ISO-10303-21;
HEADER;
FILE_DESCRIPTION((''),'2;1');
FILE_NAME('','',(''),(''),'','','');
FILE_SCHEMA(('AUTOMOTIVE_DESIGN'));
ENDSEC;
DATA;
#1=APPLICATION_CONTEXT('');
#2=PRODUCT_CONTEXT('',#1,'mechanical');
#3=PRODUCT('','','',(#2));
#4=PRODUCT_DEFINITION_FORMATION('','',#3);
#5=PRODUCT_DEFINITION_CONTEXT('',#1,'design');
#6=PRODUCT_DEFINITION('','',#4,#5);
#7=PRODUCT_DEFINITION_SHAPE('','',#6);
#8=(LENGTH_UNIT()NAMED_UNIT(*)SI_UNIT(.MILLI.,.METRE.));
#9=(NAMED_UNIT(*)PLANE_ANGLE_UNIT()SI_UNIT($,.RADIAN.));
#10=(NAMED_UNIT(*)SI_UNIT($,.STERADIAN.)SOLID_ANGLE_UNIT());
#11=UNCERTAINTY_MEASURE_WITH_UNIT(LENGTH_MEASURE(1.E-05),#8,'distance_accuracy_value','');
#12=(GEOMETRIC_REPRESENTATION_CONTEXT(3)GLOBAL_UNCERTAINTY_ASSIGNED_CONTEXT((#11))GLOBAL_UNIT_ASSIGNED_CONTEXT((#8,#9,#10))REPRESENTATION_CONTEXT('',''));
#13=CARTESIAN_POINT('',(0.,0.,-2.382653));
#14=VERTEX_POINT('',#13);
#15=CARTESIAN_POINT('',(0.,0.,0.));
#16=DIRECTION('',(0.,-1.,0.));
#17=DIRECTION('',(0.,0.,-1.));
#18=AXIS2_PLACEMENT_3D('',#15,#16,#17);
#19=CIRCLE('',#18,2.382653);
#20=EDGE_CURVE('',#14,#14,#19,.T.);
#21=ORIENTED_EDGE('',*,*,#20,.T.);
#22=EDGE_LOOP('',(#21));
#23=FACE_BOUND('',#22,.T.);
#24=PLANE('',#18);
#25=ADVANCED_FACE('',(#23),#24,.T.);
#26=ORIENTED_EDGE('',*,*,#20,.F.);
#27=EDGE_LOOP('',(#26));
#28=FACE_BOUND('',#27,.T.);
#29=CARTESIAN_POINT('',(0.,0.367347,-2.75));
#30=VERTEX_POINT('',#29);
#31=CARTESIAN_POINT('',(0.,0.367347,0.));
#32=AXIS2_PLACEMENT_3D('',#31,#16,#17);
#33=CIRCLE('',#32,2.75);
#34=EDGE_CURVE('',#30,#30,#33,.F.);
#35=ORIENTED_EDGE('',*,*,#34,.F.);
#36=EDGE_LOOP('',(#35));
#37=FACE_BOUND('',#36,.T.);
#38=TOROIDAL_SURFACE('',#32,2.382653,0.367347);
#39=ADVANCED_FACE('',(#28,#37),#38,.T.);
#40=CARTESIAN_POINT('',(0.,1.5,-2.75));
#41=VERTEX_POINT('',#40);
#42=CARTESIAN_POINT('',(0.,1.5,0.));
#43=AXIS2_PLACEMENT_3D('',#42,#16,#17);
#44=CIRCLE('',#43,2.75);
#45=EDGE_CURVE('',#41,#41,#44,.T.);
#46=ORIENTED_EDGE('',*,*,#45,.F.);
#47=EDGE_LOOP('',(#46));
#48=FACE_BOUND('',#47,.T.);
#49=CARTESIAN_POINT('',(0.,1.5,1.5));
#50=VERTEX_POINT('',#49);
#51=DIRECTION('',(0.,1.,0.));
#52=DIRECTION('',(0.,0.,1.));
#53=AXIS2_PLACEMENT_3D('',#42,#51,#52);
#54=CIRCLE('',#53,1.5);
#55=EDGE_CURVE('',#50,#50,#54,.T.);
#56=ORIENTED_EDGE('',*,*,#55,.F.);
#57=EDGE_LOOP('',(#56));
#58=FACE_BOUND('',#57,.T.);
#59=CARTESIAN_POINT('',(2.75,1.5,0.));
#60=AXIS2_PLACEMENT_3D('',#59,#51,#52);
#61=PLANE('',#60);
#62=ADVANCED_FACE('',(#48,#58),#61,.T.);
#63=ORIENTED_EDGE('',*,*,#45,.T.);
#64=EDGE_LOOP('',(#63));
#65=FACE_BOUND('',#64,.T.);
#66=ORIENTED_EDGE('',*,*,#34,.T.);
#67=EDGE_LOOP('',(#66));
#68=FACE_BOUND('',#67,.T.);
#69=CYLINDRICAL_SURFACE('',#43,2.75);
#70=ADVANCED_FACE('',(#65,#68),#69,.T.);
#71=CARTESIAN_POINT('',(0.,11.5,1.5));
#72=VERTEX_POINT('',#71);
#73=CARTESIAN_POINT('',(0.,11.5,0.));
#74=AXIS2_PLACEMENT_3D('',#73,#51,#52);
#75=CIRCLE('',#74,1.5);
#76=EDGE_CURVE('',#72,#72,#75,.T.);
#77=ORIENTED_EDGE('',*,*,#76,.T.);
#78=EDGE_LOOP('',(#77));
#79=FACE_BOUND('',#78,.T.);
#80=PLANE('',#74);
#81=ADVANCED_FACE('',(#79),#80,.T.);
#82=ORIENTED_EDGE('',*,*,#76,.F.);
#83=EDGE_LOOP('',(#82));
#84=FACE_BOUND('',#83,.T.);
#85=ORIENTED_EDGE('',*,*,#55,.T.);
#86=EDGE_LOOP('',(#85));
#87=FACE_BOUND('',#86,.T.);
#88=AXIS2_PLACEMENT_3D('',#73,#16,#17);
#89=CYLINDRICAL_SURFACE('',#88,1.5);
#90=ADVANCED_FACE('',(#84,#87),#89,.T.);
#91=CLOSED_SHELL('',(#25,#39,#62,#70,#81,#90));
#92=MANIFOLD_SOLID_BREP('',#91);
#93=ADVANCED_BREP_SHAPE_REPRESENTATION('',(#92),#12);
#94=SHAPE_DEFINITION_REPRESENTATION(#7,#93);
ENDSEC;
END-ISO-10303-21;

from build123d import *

# Parameters (mm, degrees)
SKETCH_1_W      = 2.75
SKETCH_1_H      = 1.5
SKETCH_2_R      = 1.5
EXTRUDE_1_DEPTH = 10
FILLET_1_R      = 0.367346939


with BuildPart() as part:
    # 草图1 → 旋转1 (revolve)
    with BuildSketch(Plane.XY):
        with Locations((1.375, 0.75)):
            Rectangle(SKETCH_1_W, SKETCH_1_H)
    revolve(axis=Axis((0, 1.5, 0), (0, -1, 0)))

    # 草图2 → 凸台-拉伸1 (add)
    with BuildSketch(Plane(origin=(0, 1.5, 0), x_dir=(-1, 0, 0), z_dir=(0, 1, 0))):
        Circle(SKETCH_2_R)
    extrude(amount=EXTRUDE_1_DEPTH)

    # 圆角1
    fillet_1_edges = [part.edges().sort_by_distance(p)[0] for p in [
        (-2.75, 0, 0),
    ]]
    fillet(fillet_1_edges, radius=FILLET_1_R)


solid = part.part
